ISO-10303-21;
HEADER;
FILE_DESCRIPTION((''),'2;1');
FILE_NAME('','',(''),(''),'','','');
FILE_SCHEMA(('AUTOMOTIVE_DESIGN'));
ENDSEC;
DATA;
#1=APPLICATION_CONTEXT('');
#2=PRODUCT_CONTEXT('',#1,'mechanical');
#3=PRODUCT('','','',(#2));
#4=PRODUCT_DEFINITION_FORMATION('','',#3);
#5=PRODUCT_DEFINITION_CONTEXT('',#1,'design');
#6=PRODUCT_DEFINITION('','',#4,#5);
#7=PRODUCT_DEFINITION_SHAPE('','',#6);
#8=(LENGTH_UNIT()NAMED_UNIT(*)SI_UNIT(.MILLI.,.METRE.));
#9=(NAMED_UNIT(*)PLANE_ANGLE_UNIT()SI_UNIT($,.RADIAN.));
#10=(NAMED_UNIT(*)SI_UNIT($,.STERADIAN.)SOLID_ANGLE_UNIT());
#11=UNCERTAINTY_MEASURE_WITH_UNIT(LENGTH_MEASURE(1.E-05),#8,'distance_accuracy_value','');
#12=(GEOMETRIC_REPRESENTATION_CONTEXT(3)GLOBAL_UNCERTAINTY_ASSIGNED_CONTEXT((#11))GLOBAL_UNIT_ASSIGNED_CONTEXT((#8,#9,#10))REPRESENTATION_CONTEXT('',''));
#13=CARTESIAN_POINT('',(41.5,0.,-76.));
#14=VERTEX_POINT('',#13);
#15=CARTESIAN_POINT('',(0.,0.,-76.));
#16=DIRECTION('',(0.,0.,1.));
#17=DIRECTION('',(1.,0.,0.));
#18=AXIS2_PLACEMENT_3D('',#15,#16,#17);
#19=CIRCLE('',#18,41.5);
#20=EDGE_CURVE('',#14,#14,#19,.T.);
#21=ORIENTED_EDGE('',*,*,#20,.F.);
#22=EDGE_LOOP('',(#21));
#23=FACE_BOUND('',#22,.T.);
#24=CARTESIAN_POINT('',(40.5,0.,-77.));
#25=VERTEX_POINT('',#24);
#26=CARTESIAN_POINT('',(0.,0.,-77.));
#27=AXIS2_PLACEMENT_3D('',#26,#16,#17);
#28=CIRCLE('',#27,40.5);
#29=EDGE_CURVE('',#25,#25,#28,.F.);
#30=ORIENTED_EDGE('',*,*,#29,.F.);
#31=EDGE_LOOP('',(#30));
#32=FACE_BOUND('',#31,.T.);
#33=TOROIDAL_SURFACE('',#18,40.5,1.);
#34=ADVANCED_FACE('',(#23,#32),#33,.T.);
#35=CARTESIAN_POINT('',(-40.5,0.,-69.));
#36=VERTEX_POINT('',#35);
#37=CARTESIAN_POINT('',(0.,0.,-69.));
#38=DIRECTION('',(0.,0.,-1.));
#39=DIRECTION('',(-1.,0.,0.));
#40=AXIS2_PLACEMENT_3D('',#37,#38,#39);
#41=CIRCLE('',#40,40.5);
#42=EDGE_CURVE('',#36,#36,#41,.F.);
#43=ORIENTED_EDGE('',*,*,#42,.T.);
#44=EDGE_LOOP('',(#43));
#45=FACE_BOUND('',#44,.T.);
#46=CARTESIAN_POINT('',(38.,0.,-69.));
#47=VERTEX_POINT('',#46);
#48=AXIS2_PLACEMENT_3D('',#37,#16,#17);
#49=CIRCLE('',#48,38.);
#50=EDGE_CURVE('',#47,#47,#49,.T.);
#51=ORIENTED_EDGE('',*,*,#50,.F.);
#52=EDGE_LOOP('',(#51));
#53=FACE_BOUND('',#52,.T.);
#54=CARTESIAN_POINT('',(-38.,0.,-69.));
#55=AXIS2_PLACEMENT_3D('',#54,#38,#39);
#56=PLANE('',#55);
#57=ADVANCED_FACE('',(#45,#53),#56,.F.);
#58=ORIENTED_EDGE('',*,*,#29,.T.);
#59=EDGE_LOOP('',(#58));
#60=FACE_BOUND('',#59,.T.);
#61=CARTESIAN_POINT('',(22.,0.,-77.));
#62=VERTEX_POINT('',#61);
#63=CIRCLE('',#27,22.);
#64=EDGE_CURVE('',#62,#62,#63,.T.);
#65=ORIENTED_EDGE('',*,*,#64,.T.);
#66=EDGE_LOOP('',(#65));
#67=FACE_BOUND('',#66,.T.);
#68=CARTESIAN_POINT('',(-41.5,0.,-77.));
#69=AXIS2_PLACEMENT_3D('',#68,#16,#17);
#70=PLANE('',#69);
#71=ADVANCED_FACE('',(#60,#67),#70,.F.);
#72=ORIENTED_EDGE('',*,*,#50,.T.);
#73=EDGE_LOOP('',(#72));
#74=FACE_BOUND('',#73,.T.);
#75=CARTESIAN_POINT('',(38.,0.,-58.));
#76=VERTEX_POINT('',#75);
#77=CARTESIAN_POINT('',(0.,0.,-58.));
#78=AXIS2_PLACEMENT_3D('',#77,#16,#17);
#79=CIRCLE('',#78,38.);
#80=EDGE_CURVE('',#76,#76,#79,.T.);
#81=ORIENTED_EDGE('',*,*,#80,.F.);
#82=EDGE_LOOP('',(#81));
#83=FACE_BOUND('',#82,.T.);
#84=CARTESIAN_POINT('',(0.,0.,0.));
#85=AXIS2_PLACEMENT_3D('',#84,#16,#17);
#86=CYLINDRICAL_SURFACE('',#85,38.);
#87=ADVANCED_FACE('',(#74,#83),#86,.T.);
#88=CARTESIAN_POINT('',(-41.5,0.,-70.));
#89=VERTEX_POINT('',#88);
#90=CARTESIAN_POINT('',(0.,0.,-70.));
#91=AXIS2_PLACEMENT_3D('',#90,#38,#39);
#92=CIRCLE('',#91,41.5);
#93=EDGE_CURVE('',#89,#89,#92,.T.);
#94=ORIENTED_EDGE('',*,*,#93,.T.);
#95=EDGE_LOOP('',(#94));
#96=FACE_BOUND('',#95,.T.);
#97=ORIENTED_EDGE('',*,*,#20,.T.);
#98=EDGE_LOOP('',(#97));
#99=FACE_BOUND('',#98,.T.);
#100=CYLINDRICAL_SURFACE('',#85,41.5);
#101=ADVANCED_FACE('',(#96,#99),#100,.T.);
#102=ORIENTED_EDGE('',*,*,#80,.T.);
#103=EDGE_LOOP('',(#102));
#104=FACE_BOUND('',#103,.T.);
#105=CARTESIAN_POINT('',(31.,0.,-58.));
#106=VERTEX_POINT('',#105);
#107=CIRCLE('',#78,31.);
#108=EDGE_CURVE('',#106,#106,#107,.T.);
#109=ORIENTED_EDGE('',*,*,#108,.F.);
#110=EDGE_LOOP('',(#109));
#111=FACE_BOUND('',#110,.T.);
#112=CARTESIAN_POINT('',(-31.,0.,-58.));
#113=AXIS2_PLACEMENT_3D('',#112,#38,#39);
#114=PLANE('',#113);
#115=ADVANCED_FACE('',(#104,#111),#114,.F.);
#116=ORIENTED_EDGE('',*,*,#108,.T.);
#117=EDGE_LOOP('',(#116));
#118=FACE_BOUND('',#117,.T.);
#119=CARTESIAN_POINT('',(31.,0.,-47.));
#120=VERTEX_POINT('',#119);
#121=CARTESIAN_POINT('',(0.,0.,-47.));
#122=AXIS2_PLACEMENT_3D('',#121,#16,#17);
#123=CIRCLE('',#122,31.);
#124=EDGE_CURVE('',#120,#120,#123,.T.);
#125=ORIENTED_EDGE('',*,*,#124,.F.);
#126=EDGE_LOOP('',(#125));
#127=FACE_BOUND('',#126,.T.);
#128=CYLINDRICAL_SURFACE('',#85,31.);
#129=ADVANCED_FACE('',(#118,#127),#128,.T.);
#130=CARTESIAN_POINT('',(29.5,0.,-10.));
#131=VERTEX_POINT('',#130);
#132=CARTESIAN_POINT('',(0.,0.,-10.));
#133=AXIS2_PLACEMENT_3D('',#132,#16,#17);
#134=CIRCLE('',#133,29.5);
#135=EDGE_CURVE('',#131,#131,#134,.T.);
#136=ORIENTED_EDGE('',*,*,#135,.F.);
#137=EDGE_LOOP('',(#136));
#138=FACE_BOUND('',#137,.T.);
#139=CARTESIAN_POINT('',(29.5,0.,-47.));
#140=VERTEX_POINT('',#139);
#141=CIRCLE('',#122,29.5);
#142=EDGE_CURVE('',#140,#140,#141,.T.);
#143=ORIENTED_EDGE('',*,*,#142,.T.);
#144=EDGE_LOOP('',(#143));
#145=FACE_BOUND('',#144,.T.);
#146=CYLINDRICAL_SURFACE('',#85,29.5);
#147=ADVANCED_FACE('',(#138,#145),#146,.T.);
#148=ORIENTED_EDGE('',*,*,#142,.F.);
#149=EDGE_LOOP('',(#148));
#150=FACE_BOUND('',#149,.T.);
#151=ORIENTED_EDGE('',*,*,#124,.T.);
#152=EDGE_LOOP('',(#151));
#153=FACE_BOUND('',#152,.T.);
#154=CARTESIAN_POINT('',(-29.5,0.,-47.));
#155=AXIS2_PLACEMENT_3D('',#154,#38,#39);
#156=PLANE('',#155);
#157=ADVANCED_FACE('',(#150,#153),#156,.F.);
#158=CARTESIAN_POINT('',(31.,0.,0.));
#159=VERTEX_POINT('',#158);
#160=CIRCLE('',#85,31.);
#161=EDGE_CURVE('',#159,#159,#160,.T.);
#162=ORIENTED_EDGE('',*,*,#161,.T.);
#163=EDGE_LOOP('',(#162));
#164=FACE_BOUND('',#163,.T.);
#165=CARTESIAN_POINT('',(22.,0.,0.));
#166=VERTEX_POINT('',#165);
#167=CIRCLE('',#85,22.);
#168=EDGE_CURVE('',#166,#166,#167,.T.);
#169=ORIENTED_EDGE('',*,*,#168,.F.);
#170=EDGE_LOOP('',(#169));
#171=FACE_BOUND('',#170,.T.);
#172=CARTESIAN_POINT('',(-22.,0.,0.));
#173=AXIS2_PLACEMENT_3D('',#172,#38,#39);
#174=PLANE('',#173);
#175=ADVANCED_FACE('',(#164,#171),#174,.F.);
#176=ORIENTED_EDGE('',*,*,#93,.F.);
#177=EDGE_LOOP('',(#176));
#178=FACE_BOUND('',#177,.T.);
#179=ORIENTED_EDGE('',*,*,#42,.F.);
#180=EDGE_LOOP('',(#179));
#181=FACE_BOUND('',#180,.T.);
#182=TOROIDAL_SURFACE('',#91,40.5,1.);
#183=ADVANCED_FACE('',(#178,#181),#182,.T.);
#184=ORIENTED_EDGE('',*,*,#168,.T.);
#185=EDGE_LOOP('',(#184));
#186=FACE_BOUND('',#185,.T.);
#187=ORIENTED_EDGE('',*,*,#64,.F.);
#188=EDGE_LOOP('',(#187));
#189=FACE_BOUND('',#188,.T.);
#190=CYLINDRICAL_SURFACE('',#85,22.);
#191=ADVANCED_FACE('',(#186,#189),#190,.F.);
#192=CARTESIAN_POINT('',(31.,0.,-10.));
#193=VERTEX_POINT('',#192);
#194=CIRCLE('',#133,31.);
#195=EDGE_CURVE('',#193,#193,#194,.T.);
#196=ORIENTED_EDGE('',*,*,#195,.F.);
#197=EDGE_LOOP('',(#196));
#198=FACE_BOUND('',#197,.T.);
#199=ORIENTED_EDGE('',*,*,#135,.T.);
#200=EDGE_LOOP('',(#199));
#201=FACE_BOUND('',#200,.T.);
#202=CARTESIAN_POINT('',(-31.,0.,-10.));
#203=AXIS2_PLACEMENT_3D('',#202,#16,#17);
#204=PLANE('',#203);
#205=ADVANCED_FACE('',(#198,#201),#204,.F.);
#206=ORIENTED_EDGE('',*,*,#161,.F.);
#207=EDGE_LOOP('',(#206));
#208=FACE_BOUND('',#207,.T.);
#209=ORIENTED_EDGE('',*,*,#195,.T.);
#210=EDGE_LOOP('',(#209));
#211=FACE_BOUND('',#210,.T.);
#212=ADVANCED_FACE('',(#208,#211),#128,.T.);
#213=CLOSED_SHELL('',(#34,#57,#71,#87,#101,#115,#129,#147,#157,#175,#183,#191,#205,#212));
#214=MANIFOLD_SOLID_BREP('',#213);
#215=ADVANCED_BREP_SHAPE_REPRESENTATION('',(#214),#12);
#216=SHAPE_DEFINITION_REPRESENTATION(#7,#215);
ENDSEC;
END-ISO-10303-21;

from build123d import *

# Parameters (mm, degrees)
FILLET2_R = 1


with BuildPart() as part:
    # Sketch1 → Revolve1 (revolve)
    with BuildSketch(Plane(origin=(0, 0, 0), x_dir=(1, 0, 0), z_dir=(0, 1, 0)), mode=Mode.PRIVATE) as revolve1_sk:
        Polygon((-41.5, 77), (-22, 77), (-22, 0), (-31, 0), (-31, 10), (-29.5, 10), (-29.5, 47), (-31, 47), (-31, 58), (-38, 58), (-38, 69), (-41.5, 69), align=None)
    revolve(revolve1_sk.sketch.rotate(Axis((0, 0, 0), (0, 0, -1)), 180), axis=Axis((0, 0, 0), (0, 0, -1)))  # turned: the seam where the file's is

    # Fillet2
    fillet2_edges = [part.edges().sort_by_distance(p)[0] for p in [
        (-41.5, 0, -77),
        (-41.5, 0, -69),
    ]]
    fillet(fillet2_edges, radius=FILLET2_R)


solid = part.part
